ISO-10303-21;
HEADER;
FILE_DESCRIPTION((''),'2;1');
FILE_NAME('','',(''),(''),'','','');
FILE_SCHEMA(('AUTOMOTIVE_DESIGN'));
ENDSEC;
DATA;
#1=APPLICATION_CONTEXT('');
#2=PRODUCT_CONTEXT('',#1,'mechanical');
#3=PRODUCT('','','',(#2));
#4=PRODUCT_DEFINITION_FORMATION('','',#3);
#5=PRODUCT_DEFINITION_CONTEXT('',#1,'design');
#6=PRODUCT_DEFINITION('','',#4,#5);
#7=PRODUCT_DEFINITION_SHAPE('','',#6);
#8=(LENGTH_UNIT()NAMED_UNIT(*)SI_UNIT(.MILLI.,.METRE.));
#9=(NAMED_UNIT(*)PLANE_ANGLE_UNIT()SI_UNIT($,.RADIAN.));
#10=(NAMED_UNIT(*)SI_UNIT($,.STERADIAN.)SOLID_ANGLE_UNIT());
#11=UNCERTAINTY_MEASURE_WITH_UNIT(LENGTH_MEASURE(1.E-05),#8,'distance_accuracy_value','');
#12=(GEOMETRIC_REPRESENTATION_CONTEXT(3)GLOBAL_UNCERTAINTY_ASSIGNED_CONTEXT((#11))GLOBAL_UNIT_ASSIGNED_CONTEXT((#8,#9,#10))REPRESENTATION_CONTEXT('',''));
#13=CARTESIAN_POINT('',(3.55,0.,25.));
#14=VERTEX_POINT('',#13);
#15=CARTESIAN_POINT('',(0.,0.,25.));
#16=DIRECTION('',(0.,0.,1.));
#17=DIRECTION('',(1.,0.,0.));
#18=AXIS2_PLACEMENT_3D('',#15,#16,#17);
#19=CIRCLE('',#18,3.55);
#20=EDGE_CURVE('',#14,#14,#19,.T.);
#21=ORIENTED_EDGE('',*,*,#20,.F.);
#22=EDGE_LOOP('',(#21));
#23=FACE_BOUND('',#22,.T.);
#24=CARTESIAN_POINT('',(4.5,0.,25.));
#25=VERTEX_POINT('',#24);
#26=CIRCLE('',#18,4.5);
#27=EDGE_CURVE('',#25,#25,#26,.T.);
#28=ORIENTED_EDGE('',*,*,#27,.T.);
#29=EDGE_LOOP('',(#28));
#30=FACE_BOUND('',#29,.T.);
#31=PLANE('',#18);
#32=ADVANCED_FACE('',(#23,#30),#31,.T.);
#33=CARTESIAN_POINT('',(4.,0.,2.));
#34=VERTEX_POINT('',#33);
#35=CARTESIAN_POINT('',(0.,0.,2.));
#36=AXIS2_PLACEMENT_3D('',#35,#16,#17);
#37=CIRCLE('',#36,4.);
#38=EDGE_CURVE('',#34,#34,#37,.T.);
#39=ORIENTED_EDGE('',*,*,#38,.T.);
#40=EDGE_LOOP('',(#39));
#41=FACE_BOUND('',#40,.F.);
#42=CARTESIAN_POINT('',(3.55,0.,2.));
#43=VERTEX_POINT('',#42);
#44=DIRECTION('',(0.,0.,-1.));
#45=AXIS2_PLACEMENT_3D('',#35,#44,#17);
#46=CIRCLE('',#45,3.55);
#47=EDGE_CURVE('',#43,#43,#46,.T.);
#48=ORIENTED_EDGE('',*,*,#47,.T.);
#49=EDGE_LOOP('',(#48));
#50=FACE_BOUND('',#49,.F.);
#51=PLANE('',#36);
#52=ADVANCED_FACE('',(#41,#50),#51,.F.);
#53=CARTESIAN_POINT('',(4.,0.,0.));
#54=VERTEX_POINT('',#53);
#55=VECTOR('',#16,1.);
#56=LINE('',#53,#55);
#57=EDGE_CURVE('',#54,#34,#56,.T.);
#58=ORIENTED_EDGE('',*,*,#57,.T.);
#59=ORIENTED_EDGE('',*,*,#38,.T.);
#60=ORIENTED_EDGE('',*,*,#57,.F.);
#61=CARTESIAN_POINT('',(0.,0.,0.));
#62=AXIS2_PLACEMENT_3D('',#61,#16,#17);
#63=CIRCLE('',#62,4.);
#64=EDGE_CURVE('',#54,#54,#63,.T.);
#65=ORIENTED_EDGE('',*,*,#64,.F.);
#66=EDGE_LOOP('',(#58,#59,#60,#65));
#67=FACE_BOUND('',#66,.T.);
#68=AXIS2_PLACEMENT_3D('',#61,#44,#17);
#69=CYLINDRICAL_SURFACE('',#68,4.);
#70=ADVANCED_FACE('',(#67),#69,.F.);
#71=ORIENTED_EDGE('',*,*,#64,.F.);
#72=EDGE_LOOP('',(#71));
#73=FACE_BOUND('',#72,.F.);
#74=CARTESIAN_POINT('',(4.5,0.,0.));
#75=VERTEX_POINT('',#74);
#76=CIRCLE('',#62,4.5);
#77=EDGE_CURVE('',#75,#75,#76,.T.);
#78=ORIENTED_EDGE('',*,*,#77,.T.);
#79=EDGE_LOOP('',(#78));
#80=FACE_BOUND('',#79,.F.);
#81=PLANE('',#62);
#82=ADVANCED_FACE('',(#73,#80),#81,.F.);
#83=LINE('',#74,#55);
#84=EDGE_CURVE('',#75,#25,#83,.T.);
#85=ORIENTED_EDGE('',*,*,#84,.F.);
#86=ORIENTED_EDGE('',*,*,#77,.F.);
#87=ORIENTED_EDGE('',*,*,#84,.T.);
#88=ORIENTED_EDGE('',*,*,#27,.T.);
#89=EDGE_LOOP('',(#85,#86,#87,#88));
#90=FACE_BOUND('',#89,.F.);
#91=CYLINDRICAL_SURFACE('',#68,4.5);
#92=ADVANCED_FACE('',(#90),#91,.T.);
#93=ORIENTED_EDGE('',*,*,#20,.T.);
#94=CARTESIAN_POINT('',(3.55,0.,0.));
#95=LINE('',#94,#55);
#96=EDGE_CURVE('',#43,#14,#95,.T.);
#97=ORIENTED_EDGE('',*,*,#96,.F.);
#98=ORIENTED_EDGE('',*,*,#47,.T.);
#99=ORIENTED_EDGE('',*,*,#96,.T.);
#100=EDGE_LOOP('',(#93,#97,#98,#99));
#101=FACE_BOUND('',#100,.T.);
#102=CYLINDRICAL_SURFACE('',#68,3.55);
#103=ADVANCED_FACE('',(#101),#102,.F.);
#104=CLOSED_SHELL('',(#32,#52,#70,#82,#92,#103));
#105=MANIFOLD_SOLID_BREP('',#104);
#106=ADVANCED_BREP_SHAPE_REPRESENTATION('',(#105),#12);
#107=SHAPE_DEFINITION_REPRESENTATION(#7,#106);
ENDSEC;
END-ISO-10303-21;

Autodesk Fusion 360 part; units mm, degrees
sketch "Esquisse1" plane through (0, 0, 0) normal (0, 0, 1) x (1, 0, 0)
  circle A0 centre (30, 40) radius 30
  circle A1 centre (30, 40) radius 20
sketch "Esquisse2" plane through (0, 0, 0) normal (0, 0, 1) x (1, 0, 0)
sketch "Esquisse3" plane through (0, 0, 0) normal (0, 0, 1) x (1, 0, 0)
  circle A0 centre (0, 0) radius 3.55
  circle A1 centre (0, 0) radius 4.5
  dimension "d4" = 7.1
  dimension "d5" = 9
extrude "Extrusion2" add sketch "Esquisse3" along normal blind 25
sketch "Esquisse4" plane through (0, 0, 0) normal (0, 0, 1) x (1, 0, 0)
  circle A0 centre (0, 0) radius 4
extrude "Extrusion3" cut sketch "Esquisse4" along normal blind 2
